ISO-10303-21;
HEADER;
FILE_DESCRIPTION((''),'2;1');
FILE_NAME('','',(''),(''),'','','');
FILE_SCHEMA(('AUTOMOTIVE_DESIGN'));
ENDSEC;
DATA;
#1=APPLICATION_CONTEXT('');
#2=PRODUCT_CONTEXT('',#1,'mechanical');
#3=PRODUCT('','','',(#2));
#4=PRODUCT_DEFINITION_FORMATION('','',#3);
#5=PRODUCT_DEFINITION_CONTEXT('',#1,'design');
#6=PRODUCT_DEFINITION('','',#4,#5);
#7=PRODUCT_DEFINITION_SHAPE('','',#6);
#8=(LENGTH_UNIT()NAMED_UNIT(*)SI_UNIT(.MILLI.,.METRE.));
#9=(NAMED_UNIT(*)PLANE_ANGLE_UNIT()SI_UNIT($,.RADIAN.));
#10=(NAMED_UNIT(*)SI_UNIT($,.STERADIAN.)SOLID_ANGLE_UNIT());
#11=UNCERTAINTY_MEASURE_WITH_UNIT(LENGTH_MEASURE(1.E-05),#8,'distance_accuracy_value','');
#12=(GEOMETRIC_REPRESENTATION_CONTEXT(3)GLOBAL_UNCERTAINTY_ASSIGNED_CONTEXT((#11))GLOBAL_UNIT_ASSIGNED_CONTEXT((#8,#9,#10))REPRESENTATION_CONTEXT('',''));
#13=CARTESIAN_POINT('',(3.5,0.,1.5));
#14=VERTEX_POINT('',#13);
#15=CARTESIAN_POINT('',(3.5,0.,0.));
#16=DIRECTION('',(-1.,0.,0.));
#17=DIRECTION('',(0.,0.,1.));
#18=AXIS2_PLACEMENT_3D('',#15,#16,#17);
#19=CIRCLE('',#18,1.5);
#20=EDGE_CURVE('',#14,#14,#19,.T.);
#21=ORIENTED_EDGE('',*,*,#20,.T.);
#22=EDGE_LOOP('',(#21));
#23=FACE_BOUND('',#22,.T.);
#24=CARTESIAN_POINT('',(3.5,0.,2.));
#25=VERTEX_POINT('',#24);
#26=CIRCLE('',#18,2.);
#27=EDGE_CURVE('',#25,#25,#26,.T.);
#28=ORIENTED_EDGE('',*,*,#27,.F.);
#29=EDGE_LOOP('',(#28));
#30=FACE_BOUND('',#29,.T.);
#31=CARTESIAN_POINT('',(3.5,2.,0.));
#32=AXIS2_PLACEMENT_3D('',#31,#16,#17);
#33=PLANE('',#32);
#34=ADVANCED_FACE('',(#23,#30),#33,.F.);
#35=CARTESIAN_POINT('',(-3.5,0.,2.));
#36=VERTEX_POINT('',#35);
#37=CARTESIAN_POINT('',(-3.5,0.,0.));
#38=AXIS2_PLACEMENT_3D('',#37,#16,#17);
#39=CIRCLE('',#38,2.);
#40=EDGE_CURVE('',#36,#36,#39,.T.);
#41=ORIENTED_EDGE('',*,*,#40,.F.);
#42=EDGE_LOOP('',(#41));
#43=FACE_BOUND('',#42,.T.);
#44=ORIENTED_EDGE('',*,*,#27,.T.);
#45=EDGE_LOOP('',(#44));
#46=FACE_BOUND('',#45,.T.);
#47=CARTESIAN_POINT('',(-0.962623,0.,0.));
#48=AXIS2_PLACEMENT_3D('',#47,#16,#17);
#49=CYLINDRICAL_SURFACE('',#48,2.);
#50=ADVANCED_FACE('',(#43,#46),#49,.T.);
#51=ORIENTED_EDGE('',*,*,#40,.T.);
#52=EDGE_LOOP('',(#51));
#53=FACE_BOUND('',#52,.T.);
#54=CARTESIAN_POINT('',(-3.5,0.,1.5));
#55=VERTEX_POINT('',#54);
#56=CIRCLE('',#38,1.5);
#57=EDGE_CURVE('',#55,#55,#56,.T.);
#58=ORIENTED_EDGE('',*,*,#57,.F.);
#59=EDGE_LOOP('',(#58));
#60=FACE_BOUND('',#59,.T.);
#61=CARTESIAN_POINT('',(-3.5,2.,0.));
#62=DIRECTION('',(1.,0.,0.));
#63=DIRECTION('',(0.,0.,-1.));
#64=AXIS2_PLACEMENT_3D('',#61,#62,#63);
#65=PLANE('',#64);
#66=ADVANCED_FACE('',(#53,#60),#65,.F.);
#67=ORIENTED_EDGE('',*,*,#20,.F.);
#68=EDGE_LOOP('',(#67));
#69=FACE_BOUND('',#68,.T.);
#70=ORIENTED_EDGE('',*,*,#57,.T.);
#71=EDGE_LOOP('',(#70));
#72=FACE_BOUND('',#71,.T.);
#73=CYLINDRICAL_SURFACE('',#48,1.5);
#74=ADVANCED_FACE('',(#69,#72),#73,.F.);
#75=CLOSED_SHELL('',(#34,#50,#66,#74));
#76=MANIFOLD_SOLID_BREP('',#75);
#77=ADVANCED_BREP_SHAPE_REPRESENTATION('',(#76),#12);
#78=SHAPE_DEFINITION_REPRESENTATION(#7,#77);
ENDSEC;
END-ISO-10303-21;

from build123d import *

# Parameters (mm, degrees)
SKETCH1_W = 7
SKETCH1_H = 0.5


with BuildPart() as part:
    # Sketch1 → Revolve1 (revolve)
    with BuildSketch(Plane.XY):
        with Locations((0, 1.75)):
            Rectangle(SKETCH1_W, SKETCH1_H)
    revolve(axis=Axis((-0.962623157, 0, 0), (1, 0, 0)))


solid = part.part
